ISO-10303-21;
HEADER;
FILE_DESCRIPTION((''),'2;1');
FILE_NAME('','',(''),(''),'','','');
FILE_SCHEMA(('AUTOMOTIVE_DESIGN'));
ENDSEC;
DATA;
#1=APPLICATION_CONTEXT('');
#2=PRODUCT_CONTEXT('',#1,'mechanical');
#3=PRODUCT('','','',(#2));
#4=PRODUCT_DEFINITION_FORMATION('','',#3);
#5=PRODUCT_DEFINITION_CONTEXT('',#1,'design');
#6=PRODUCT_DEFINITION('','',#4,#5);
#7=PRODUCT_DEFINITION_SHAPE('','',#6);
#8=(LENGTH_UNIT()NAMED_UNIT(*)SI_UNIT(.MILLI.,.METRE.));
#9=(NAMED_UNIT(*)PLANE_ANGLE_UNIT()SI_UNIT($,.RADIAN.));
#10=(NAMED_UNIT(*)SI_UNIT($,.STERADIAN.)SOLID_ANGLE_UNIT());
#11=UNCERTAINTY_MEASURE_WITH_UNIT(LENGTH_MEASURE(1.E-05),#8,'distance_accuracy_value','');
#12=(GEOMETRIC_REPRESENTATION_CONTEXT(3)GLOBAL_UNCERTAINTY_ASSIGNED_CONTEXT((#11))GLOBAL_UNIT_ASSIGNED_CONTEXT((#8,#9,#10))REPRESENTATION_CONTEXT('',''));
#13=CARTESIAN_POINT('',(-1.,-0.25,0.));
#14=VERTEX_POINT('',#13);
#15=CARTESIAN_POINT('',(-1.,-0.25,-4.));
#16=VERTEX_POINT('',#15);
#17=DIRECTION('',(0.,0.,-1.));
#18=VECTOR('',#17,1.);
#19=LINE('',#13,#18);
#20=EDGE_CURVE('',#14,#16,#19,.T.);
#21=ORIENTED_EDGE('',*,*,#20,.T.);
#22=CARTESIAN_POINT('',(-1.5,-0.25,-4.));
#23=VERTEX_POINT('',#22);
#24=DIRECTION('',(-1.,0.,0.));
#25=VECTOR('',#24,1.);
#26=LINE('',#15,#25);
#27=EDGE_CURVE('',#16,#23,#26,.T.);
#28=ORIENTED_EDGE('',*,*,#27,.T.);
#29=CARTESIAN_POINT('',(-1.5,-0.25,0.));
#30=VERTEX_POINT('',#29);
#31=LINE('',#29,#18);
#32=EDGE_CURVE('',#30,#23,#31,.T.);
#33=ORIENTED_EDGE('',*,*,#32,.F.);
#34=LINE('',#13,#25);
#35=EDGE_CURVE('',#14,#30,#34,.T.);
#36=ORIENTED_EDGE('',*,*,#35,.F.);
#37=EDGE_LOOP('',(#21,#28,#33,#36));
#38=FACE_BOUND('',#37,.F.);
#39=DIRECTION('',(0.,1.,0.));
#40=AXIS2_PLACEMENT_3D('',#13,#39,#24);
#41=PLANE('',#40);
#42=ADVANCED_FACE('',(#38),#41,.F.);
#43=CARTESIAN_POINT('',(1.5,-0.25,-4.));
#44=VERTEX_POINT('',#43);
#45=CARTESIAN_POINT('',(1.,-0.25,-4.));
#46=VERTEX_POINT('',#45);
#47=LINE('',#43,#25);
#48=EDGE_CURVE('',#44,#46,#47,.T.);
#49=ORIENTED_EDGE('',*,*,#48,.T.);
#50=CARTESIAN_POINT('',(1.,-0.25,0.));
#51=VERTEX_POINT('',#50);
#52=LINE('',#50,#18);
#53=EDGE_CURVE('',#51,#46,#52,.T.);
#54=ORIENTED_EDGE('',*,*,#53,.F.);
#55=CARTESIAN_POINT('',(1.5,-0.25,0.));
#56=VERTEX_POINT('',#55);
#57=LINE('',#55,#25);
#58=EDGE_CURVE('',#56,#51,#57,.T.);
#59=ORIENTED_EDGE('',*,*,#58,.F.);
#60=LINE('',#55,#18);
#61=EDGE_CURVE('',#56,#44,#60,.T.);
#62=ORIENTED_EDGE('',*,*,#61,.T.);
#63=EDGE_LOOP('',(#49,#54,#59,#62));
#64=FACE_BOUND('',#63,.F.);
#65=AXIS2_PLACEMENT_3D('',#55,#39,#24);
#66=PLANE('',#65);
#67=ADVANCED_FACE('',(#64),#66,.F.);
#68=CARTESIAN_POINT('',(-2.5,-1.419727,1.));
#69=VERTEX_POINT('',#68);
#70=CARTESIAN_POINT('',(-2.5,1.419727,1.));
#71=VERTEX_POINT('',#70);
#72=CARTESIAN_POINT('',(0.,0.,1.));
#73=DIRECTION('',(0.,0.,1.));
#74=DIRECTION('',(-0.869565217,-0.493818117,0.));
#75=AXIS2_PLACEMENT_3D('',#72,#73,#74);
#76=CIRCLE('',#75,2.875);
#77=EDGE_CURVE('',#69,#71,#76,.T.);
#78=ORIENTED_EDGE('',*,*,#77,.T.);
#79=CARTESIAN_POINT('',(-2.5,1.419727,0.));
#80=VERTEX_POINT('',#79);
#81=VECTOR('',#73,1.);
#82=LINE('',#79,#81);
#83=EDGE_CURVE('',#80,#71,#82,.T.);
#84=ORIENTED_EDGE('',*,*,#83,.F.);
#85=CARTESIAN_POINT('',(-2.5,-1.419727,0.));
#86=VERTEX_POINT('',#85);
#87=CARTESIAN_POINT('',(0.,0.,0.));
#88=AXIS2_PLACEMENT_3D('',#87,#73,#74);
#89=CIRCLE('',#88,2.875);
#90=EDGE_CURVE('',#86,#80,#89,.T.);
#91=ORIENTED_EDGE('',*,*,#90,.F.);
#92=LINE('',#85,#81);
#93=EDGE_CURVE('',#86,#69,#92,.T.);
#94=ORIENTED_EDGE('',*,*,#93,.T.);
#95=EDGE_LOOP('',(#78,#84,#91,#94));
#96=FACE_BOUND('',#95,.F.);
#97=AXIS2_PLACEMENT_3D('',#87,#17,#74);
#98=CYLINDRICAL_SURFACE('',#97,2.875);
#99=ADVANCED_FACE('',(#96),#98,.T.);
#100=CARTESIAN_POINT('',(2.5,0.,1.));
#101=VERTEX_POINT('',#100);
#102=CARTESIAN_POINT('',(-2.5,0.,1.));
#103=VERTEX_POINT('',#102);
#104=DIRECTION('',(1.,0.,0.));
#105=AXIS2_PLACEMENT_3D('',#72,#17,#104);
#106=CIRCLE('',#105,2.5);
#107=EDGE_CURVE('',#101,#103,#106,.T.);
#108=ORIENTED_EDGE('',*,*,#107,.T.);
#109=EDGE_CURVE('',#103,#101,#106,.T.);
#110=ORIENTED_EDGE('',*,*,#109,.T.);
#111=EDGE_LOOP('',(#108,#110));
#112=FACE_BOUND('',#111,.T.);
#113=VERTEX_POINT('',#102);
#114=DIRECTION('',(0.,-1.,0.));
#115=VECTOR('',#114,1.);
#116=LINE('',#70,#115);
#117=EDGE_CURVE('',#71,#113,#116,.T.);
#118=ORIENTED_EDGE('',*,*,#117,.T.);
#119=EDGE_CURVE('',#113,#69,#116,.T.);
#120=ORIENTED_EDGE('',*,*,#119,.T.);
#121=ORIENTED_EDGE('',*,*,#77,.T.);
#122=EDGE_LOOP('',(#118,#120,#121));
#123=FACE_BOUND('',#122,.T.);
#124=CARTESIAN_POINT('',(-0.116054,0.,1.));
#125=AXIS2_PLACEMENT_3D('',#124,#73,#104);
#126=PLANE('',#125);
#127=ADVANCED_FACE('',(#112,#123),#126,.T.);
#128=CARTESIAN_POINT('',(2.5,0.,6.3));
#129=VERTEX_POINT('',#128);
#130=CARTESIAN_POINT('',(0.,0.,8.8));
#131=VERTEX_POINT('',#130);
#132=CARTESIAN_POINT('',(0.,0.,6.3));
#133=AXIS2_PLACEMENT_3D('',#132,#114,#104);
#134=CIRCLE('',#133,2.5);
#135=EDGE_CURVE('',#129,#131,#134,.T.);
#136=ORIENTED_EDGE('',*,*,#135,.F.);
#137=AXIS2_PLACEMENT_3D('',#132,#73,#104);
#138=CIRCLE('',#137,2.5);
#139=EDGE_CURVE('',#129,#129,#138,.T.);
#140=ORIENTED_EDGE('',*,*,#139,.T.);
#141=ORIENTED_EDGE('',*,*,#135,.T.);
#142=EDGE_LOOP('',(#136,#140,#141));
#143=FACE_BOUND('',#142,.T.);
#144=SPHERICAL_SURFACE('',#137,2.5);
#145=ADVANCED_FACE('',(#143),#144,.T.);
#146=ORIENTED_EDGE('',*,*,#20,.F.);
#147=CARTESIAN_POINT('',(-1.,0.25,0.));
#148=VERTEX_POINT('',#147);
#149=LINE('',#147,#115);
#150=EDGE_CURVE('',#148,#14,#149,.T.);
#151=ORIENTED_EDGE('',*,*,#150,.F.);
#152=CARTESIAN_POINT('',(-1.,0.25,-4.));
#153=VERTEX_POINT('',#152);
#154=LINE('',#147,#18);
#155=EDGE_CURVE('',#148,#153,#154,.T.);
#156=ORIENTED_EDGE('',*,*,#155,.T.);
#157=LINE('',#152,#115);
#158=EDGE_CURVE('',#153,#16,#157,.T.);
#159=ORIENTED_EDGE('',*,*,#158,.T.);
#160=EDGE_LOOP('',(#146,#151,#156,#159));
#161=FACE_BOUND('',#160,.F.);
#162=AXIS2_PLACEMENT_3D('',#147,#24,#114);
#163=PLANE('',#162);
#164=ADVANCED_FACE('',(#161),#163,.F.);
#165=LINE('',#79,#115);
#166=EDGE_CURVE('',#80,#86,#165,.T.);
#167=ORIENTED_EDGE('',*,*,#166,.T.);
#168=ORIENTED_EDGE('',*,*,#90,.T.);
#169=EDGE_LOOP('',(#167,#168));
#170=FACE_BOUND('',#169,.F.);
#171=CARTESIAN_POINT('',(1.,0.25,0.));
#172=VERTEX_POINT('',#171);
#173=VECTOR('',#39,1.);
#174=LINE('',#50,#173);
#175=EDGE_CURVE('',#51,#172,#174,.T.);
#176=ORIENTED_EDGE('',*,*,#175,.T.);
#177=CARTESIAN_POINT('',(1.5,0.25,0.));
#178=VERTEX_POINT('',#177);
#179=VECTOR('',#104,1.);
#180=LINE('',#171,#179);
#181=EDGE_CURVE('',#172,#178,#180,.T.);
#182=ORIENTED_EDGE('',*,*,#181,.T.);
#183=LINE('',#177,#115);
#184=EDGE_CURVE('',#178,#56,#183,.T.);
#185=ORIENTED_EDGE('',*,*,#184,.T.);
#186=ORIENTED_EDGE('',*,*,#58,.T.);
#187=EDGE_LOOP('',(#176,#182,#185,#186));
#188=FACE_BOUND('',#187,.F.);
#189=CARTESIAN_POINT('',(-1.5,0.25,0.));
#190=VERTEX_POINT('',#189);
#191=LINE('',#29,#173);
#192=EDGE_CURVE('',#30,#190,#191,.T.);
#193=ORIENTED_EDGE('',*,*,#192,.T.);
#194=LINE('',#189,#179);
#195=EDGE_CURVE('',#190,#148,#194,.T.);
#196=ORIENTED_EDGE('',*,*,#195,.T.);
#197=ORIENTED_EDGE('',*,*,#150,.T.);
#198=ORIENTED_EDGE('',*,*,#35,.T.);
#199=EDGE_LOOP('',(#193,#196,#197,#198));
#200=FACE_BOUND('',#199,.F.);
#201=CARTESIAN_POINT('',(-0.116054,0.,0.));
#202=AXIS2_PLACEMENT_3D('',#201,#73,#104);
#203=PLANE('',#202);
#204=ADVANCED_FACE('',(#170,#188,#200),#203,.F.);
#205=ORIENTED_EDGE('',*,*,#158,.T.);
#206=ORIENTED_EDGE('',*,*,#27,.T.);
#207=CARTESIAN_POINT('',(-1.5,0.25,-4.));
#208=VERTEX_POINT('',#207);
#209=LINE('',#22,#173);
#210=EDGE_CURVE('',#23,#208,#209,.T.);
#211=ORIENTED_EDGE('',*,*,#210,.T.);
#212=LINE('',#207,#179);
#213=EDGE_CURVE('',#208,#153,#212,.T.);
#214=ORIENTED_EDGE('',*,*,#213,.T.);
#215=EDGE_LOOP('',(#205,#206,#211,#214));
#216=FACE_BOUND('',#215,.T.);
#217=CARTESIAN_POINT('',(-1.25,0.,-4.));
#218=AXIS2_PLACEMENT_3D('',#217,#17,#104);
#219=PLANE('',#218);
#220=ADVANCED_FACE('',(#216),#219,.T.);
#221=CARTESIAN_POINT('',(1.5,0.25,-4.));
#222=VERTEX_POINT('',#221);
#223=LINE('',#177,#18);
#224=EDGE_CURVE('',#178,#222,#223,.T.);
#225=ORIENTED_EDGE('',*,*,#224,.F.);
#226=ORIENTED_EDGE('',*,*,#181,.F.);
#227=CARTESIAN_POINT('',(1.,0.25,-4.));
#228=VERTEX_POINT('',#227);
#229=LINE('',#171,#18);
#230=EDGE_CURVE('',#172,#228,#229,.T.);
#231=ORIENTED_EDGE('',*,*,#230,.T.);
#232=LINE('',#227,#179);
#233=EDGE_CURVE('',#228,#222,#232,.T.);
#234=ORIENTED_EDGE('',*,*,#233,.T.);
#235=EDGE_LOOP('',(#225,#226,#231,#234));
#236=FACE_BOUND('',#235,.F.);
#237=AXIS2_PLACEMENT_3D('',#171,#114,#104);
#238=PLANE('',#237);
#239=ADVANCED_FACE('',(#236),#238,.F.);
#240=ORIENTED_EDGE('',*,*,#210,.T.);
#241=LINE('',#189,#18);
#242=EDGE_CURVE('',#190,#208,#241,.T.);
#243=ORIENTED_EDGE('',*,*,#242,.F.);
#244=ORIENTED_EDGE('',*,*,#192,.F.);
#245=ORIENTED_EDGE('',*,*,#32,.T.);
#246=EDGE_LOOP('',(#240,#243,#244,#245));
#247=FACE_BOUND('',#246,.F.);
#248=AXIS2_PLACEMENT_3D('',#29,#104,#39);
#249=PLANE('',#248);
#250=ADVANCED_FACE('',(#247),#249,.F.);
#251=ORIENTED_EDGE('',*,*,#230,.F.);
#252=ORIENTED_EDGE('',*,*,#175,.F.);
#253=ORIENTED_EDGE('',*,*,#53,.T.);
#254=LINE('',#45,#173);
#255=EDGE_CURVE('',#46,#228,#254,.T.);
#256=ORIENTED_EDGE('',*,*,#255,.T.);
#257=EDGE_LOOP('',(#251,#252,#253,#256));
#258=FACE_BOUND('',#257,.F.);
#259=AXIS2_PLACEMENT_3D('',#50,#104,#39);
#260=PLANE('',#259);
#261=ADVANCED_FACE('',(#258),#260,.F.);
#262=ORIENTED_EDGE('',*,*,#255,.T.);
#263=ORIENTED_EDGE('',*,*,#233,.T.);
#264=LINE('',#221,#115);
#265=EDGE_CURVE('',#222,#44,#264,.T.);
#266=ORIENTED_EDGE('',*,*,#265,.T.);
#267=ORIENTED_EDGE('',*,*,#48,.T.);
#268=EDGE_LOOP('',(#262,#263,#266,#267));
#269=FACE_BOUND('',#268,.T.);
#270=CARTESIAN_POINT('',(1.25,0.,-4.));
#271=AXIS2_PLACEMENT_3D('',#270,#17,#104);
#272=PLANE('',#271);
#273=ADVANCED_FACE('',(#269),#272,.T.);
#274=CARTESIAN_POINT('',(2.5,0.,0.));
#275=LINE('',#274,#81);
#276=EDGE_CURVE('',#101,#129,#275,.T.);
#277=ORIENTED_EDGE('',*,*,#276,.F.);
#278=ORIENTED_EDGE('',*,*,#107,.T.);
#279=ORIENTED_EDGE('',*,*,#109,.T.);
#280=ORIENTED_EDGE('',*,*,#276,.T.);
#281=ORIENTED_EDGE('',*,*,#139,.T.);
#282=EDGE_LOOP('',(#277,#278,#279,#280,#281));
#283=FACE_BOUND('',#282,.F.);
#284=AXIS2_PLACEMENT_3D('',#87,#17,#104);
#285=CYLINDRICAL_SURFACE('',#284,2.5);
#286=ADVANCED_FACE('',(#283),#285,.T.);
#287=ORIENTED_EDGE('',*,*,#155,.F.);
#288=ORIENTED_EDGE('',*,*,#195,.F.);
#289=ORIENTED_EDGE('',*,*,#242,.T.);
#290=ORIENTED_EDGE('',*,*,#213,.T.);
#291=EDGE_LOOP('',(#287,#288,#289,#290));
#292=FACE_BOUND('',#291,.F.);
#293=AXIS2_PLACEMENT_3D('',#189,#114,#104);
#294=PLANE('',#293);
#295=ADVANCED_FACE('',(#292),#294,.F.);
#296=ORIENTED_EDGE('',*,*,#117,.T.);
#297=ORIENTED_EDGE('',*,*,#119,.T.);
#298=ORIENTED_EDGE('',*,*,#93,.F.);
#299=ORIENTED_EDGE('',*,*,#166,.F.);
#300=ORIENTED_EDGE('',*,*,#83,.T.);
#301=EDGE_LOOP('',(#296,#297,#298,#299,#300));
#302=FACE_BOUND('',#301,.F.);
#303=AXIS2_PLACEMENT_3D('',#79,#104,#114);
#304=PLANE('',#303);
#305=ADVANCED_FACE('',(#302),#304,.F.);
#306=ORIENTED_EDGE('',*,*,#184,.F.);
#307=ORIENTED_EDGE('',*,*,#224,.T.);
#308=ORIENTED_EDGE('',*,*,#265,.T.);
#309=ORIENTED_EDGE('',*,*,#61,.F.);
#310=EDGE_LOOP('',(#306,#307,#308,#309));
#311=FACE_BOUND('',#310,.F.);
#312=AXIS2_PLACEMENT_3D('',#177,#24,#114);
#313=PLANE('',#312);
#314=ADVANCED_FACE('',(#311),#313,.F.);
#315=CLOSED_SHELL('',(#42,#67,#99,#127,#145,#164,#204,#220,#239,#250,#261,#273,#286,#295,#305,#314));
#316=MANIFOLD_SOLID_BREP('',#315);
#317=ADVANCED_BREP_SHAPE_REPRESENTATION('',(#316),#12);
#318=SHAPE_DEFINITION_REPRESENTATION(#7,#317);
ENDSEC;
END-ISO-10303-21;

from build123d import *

# Parameters (mm, degrees)
F1_DEPTH = 8.8
F2_DEPTH = 1
F3_R     = 2.5
F5_DEPTH = 4


with BuildPart() as f1:
    # F0 (on Top) → F1 (new body)
    with BuildSketch(Plane.XY):
        with BuildLine():
            ThreePointArc((-2.5, 0), (0, -2.5), (2.5, 0))
            ThreePointArc((2.5, 0), (0, 2.5), (-2.5, 0))
        make_face()
    extrude(amount=F1_DEPTH)

    # F0 (on Top) → F2 (join)
    with BuildSketch(Plane.XY):
        with BuildLine():
            Line((-2.5, 1.4197270865), (-2.5, 0))
            Line((-2.5, 0), (-2.5, -1.4197270865))
            ThreePointArc((-2.5, -1.4197270865), (2.875, 0), (-2.5, 1.4197270865))
        make_face()
        with BuildLine():
            ThreePointArc((-2.5, 0), (0, 2.5), (2.5, 0))
            ThreePointArc((2.5, 0), (0, -2.5), (-2.5, 0))
        make_face(mode=Mode.SUBTRACT)
        with BuildLine():
            ThreePointArc((-2.5, 0), (0, -2.5), (2.5, 0))
            ThreePointArc((2.5, 0), (0, 2.5), (-2.5, 0))
        make_face()
    extrude(amount=F2_DEPTH)

    # F3
    f3_edges = [f1.edges().sort_by_distance(p)[0] for p in [
        (-2.5, 0, 8.8),
    ]]
    fillet(f3_edges, radius=F3_R)

    # F4 (on face) → F5 (join)
    with BuildSketch(Plane(origin=(0, 0, 0), x_dir=(1, 0, 0), z_dir=(0, 0, -1))):
        Polygon((1, 0.25), (1, 0), (1, -0.25), (1.5, -0.25), (1.5, 0.25), align=None)
        Polygon((-1, 0.25), (-1.5, 0.25), (-1.5, -0.25), (-1, -0.25), (-1, 0), align=None)
    extrude(amount=F5_DEPTH)


solid = f1.part
